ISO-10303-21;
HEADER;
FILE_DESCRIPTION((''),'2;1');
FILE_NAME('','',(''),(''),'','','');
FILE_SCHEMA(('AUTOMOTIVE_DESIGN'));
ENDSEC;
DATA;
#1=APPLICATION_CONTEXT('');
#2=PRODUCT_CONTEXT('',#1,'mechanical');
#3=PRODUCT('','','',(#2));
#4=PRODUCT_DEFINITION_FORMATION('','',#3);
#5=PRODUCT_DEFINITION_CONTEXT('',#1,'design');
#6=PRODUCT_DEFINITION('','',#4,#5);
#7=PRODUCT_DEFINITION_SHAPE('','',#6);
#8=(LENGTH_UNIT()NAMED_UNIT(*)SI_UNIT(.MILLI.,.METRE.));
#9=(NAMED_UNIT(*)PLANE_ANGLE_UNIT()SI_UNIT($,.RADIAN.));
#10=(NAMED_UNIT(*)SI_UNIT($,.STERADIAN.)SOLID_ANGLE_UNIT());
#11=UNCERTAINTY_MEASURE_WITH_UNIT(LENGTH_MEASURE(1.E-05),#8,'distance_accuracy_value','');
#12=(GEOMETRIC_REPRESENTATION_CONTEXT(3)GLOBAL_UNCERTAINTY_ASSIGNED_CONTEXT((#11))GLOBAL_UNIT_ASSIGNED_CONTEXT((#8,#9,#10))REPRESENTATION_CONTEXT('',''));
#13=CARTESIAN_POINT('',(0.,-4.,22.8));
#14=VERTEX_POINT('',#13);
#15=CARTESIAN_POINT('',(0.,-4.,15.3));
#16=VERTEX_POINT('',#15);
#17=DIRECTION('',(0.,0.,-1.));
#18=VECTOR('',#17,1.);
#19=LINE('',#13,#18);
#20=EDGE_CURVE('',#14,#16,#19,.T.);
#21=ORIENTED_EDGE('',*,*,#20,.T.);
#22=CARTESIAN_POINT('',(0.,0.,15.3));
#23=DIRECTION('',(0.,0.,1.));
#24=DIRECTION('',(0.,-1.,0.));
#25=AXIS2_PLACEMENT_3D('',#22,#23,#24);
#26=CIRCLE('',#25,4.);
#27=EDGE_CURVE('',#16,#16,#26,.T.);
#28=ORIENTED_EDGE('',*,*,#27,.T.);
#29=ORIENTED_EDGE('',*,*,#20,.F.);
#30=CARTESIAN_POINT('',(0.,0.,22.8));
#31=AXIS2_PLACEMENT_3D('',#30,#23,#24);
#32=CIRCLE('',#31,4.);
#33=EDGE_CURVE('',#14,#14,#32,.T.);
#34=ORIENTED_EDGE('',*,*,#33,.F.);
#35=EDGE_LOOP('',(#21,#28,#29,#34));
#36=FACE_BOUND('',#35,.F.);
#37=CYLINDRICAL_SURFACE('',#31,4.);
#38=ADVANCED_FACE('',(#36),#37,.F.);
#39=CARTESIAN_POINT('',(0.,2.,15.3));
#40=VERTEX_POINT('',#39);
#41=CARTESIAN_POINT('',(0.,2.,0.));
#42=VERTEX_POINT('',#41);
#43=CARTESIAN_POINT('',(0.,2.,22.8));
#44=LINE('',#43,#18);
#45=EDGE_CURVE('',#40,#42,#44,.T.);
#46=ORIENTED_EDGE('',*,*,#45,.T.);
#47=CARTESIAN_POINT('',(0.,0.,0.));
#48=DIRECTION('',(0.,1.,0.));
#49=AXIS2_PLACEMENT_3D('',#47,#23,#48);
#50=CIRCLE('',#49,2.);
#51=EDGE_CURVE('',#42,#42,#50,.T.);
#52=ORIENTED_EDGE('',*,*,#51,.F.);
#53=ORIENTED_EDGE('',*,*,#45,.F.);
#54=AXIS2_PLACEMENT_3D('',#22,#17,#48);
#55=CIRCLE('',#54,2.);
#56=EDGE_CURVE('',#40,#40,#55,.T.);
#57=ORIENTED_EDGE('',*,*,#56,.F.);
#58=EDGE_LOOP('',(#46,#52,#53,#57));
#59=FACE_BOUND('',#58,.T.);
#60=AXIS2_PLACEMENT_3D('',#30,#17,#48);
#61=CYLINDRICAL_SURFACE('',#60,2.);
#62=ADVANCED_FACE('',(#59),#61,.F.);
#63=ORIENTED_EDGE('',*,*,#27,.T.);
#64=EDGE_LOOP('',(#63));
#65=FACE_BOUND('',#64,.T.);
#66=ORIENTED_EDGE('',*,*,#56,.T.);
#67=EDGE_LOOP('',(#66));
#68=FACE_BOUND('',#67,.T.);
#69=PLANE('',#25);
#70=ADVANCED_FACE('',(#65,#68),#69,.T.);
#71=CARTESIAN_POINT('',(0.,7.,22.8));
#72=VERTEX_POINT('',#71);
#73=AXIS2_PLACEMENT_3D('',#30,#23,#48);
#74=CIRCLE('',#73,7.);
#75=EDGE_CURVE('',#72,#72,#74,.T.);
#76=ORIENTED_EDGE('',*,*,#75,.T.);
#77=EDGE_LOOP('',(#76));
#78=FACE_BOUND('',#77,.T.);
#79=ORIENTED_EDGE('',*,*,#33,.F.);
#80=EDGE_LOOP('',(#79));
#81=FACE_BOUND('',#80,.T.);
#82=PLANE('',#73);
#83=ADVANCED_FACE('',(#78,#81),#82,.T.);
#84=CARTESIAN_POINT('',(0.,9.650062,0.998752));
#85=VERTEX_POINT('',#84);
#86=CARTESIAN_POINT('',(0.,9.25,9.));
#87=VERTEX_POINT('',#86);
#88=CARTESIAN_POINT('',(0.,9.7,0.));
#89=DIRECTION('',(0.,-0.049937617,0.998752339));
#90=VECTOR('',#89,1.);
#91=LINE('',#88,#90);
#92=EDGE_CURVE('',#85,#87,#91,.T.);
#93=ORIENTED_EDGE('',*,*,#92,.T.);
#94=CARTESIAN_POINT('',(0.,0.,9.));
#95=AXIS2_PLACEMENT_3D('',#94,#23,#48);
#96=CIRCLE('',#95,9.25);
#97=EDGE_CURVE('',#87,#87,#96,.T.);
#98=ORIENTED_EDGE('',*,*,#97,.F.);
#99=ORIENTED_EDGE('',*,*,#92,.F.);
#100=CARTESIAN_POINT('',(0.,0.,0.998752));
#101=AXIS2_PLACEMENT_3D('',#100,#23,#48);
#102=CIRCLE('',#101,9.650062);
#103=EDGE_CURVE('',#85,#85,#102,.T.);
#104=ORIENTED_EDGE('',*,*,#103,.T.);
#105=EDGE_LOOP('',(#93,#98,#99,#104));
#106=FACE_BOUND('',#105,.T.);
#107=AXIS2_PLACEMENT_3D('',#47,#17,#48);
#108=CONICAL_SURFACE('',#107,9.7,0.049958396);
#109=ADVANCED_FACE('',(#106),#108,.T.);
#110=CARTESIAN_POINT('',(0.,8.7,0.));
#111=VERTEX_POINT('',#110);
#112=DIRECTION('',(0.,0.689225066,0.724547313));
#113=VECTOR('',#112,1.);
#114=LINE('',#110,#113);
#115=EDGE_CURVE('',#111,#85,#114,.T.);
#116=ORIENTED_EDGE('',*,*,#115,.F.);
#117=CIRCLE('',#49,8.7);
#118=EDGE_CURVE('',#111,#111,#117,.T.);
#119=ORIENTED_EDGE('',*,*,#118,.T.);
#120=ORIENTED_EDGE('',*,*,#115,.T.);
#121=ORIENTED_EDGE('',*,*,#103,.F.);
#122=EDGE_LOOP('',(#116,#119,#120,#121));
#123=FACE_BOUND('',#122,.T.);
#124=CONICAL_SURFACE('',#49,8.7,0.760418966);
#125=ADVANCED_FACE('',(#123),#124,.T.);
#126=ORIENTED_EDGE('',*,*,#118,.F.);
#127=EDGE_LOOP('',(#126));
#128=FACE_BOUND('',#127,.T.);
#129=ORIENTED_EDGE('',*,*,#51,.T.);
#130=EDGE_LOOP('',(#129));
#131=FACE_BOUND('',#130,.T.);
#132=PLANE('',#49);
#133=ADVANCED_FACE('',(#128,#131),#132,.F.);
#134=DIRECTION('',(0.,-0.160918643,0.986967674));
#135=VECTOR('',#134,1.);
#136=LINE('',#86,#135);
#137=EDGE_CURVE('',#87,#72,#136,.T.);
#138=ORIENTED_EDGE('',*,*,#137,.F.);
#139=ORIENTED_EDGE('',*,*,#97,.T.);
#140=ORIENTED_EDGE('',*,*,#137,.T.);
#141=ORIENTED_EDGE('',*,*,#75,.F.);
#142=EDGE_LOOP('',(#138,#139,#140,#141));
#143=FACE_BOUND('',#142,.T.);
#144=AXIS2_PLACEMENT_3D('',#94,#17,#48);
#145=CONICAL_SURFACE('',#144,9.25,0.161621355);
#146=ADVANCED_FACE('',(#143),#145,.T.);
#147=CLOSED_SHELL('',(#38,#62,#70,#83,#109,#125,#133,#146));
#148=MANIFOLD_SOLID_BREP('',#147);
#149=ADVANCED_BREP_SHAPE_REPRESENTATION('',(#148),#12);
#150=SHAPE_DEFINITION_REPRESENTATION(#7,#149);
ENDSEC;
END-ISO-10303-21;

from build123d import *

# Parameters (mm, degrees)
SKETCH001_R  = 4
HOLE_DEPTH   = 7.5
CHAMFER_SIZE = 1


with BuildPart() as part:
    # Sketch → Revolution (revolve)
    with BuildSketch(Plane.YZ):
        Polygon((2, 0), (9.7, 0), (9.25, 9), (7, 22.8), (2, 22.8), align=None)
    revolve(axis=Axis((0, 0, 0), (0, 0, 1)))

    # Sketch001 (on Face4 of Revolution) → Hole (cut)
    with BuildSketch(Plane(origin=(0, 0, 22.8), x_dir=(0, -1, 0), z_dir=(0, 0, 1))):
        Circle(SKETCH001_R)
    extrude(amount=-HOLE_DEPTH, mode=Mode.SUBTRACT)

    # Chamfer
    chamfer_edges = [part.edges().sort_by_distance(p)[0] for p in [
        (0, -9.7, 0),
    ]]
    chamfer(chamfer_edges, length=CHAMFER_SIZE)


solid = part.part
